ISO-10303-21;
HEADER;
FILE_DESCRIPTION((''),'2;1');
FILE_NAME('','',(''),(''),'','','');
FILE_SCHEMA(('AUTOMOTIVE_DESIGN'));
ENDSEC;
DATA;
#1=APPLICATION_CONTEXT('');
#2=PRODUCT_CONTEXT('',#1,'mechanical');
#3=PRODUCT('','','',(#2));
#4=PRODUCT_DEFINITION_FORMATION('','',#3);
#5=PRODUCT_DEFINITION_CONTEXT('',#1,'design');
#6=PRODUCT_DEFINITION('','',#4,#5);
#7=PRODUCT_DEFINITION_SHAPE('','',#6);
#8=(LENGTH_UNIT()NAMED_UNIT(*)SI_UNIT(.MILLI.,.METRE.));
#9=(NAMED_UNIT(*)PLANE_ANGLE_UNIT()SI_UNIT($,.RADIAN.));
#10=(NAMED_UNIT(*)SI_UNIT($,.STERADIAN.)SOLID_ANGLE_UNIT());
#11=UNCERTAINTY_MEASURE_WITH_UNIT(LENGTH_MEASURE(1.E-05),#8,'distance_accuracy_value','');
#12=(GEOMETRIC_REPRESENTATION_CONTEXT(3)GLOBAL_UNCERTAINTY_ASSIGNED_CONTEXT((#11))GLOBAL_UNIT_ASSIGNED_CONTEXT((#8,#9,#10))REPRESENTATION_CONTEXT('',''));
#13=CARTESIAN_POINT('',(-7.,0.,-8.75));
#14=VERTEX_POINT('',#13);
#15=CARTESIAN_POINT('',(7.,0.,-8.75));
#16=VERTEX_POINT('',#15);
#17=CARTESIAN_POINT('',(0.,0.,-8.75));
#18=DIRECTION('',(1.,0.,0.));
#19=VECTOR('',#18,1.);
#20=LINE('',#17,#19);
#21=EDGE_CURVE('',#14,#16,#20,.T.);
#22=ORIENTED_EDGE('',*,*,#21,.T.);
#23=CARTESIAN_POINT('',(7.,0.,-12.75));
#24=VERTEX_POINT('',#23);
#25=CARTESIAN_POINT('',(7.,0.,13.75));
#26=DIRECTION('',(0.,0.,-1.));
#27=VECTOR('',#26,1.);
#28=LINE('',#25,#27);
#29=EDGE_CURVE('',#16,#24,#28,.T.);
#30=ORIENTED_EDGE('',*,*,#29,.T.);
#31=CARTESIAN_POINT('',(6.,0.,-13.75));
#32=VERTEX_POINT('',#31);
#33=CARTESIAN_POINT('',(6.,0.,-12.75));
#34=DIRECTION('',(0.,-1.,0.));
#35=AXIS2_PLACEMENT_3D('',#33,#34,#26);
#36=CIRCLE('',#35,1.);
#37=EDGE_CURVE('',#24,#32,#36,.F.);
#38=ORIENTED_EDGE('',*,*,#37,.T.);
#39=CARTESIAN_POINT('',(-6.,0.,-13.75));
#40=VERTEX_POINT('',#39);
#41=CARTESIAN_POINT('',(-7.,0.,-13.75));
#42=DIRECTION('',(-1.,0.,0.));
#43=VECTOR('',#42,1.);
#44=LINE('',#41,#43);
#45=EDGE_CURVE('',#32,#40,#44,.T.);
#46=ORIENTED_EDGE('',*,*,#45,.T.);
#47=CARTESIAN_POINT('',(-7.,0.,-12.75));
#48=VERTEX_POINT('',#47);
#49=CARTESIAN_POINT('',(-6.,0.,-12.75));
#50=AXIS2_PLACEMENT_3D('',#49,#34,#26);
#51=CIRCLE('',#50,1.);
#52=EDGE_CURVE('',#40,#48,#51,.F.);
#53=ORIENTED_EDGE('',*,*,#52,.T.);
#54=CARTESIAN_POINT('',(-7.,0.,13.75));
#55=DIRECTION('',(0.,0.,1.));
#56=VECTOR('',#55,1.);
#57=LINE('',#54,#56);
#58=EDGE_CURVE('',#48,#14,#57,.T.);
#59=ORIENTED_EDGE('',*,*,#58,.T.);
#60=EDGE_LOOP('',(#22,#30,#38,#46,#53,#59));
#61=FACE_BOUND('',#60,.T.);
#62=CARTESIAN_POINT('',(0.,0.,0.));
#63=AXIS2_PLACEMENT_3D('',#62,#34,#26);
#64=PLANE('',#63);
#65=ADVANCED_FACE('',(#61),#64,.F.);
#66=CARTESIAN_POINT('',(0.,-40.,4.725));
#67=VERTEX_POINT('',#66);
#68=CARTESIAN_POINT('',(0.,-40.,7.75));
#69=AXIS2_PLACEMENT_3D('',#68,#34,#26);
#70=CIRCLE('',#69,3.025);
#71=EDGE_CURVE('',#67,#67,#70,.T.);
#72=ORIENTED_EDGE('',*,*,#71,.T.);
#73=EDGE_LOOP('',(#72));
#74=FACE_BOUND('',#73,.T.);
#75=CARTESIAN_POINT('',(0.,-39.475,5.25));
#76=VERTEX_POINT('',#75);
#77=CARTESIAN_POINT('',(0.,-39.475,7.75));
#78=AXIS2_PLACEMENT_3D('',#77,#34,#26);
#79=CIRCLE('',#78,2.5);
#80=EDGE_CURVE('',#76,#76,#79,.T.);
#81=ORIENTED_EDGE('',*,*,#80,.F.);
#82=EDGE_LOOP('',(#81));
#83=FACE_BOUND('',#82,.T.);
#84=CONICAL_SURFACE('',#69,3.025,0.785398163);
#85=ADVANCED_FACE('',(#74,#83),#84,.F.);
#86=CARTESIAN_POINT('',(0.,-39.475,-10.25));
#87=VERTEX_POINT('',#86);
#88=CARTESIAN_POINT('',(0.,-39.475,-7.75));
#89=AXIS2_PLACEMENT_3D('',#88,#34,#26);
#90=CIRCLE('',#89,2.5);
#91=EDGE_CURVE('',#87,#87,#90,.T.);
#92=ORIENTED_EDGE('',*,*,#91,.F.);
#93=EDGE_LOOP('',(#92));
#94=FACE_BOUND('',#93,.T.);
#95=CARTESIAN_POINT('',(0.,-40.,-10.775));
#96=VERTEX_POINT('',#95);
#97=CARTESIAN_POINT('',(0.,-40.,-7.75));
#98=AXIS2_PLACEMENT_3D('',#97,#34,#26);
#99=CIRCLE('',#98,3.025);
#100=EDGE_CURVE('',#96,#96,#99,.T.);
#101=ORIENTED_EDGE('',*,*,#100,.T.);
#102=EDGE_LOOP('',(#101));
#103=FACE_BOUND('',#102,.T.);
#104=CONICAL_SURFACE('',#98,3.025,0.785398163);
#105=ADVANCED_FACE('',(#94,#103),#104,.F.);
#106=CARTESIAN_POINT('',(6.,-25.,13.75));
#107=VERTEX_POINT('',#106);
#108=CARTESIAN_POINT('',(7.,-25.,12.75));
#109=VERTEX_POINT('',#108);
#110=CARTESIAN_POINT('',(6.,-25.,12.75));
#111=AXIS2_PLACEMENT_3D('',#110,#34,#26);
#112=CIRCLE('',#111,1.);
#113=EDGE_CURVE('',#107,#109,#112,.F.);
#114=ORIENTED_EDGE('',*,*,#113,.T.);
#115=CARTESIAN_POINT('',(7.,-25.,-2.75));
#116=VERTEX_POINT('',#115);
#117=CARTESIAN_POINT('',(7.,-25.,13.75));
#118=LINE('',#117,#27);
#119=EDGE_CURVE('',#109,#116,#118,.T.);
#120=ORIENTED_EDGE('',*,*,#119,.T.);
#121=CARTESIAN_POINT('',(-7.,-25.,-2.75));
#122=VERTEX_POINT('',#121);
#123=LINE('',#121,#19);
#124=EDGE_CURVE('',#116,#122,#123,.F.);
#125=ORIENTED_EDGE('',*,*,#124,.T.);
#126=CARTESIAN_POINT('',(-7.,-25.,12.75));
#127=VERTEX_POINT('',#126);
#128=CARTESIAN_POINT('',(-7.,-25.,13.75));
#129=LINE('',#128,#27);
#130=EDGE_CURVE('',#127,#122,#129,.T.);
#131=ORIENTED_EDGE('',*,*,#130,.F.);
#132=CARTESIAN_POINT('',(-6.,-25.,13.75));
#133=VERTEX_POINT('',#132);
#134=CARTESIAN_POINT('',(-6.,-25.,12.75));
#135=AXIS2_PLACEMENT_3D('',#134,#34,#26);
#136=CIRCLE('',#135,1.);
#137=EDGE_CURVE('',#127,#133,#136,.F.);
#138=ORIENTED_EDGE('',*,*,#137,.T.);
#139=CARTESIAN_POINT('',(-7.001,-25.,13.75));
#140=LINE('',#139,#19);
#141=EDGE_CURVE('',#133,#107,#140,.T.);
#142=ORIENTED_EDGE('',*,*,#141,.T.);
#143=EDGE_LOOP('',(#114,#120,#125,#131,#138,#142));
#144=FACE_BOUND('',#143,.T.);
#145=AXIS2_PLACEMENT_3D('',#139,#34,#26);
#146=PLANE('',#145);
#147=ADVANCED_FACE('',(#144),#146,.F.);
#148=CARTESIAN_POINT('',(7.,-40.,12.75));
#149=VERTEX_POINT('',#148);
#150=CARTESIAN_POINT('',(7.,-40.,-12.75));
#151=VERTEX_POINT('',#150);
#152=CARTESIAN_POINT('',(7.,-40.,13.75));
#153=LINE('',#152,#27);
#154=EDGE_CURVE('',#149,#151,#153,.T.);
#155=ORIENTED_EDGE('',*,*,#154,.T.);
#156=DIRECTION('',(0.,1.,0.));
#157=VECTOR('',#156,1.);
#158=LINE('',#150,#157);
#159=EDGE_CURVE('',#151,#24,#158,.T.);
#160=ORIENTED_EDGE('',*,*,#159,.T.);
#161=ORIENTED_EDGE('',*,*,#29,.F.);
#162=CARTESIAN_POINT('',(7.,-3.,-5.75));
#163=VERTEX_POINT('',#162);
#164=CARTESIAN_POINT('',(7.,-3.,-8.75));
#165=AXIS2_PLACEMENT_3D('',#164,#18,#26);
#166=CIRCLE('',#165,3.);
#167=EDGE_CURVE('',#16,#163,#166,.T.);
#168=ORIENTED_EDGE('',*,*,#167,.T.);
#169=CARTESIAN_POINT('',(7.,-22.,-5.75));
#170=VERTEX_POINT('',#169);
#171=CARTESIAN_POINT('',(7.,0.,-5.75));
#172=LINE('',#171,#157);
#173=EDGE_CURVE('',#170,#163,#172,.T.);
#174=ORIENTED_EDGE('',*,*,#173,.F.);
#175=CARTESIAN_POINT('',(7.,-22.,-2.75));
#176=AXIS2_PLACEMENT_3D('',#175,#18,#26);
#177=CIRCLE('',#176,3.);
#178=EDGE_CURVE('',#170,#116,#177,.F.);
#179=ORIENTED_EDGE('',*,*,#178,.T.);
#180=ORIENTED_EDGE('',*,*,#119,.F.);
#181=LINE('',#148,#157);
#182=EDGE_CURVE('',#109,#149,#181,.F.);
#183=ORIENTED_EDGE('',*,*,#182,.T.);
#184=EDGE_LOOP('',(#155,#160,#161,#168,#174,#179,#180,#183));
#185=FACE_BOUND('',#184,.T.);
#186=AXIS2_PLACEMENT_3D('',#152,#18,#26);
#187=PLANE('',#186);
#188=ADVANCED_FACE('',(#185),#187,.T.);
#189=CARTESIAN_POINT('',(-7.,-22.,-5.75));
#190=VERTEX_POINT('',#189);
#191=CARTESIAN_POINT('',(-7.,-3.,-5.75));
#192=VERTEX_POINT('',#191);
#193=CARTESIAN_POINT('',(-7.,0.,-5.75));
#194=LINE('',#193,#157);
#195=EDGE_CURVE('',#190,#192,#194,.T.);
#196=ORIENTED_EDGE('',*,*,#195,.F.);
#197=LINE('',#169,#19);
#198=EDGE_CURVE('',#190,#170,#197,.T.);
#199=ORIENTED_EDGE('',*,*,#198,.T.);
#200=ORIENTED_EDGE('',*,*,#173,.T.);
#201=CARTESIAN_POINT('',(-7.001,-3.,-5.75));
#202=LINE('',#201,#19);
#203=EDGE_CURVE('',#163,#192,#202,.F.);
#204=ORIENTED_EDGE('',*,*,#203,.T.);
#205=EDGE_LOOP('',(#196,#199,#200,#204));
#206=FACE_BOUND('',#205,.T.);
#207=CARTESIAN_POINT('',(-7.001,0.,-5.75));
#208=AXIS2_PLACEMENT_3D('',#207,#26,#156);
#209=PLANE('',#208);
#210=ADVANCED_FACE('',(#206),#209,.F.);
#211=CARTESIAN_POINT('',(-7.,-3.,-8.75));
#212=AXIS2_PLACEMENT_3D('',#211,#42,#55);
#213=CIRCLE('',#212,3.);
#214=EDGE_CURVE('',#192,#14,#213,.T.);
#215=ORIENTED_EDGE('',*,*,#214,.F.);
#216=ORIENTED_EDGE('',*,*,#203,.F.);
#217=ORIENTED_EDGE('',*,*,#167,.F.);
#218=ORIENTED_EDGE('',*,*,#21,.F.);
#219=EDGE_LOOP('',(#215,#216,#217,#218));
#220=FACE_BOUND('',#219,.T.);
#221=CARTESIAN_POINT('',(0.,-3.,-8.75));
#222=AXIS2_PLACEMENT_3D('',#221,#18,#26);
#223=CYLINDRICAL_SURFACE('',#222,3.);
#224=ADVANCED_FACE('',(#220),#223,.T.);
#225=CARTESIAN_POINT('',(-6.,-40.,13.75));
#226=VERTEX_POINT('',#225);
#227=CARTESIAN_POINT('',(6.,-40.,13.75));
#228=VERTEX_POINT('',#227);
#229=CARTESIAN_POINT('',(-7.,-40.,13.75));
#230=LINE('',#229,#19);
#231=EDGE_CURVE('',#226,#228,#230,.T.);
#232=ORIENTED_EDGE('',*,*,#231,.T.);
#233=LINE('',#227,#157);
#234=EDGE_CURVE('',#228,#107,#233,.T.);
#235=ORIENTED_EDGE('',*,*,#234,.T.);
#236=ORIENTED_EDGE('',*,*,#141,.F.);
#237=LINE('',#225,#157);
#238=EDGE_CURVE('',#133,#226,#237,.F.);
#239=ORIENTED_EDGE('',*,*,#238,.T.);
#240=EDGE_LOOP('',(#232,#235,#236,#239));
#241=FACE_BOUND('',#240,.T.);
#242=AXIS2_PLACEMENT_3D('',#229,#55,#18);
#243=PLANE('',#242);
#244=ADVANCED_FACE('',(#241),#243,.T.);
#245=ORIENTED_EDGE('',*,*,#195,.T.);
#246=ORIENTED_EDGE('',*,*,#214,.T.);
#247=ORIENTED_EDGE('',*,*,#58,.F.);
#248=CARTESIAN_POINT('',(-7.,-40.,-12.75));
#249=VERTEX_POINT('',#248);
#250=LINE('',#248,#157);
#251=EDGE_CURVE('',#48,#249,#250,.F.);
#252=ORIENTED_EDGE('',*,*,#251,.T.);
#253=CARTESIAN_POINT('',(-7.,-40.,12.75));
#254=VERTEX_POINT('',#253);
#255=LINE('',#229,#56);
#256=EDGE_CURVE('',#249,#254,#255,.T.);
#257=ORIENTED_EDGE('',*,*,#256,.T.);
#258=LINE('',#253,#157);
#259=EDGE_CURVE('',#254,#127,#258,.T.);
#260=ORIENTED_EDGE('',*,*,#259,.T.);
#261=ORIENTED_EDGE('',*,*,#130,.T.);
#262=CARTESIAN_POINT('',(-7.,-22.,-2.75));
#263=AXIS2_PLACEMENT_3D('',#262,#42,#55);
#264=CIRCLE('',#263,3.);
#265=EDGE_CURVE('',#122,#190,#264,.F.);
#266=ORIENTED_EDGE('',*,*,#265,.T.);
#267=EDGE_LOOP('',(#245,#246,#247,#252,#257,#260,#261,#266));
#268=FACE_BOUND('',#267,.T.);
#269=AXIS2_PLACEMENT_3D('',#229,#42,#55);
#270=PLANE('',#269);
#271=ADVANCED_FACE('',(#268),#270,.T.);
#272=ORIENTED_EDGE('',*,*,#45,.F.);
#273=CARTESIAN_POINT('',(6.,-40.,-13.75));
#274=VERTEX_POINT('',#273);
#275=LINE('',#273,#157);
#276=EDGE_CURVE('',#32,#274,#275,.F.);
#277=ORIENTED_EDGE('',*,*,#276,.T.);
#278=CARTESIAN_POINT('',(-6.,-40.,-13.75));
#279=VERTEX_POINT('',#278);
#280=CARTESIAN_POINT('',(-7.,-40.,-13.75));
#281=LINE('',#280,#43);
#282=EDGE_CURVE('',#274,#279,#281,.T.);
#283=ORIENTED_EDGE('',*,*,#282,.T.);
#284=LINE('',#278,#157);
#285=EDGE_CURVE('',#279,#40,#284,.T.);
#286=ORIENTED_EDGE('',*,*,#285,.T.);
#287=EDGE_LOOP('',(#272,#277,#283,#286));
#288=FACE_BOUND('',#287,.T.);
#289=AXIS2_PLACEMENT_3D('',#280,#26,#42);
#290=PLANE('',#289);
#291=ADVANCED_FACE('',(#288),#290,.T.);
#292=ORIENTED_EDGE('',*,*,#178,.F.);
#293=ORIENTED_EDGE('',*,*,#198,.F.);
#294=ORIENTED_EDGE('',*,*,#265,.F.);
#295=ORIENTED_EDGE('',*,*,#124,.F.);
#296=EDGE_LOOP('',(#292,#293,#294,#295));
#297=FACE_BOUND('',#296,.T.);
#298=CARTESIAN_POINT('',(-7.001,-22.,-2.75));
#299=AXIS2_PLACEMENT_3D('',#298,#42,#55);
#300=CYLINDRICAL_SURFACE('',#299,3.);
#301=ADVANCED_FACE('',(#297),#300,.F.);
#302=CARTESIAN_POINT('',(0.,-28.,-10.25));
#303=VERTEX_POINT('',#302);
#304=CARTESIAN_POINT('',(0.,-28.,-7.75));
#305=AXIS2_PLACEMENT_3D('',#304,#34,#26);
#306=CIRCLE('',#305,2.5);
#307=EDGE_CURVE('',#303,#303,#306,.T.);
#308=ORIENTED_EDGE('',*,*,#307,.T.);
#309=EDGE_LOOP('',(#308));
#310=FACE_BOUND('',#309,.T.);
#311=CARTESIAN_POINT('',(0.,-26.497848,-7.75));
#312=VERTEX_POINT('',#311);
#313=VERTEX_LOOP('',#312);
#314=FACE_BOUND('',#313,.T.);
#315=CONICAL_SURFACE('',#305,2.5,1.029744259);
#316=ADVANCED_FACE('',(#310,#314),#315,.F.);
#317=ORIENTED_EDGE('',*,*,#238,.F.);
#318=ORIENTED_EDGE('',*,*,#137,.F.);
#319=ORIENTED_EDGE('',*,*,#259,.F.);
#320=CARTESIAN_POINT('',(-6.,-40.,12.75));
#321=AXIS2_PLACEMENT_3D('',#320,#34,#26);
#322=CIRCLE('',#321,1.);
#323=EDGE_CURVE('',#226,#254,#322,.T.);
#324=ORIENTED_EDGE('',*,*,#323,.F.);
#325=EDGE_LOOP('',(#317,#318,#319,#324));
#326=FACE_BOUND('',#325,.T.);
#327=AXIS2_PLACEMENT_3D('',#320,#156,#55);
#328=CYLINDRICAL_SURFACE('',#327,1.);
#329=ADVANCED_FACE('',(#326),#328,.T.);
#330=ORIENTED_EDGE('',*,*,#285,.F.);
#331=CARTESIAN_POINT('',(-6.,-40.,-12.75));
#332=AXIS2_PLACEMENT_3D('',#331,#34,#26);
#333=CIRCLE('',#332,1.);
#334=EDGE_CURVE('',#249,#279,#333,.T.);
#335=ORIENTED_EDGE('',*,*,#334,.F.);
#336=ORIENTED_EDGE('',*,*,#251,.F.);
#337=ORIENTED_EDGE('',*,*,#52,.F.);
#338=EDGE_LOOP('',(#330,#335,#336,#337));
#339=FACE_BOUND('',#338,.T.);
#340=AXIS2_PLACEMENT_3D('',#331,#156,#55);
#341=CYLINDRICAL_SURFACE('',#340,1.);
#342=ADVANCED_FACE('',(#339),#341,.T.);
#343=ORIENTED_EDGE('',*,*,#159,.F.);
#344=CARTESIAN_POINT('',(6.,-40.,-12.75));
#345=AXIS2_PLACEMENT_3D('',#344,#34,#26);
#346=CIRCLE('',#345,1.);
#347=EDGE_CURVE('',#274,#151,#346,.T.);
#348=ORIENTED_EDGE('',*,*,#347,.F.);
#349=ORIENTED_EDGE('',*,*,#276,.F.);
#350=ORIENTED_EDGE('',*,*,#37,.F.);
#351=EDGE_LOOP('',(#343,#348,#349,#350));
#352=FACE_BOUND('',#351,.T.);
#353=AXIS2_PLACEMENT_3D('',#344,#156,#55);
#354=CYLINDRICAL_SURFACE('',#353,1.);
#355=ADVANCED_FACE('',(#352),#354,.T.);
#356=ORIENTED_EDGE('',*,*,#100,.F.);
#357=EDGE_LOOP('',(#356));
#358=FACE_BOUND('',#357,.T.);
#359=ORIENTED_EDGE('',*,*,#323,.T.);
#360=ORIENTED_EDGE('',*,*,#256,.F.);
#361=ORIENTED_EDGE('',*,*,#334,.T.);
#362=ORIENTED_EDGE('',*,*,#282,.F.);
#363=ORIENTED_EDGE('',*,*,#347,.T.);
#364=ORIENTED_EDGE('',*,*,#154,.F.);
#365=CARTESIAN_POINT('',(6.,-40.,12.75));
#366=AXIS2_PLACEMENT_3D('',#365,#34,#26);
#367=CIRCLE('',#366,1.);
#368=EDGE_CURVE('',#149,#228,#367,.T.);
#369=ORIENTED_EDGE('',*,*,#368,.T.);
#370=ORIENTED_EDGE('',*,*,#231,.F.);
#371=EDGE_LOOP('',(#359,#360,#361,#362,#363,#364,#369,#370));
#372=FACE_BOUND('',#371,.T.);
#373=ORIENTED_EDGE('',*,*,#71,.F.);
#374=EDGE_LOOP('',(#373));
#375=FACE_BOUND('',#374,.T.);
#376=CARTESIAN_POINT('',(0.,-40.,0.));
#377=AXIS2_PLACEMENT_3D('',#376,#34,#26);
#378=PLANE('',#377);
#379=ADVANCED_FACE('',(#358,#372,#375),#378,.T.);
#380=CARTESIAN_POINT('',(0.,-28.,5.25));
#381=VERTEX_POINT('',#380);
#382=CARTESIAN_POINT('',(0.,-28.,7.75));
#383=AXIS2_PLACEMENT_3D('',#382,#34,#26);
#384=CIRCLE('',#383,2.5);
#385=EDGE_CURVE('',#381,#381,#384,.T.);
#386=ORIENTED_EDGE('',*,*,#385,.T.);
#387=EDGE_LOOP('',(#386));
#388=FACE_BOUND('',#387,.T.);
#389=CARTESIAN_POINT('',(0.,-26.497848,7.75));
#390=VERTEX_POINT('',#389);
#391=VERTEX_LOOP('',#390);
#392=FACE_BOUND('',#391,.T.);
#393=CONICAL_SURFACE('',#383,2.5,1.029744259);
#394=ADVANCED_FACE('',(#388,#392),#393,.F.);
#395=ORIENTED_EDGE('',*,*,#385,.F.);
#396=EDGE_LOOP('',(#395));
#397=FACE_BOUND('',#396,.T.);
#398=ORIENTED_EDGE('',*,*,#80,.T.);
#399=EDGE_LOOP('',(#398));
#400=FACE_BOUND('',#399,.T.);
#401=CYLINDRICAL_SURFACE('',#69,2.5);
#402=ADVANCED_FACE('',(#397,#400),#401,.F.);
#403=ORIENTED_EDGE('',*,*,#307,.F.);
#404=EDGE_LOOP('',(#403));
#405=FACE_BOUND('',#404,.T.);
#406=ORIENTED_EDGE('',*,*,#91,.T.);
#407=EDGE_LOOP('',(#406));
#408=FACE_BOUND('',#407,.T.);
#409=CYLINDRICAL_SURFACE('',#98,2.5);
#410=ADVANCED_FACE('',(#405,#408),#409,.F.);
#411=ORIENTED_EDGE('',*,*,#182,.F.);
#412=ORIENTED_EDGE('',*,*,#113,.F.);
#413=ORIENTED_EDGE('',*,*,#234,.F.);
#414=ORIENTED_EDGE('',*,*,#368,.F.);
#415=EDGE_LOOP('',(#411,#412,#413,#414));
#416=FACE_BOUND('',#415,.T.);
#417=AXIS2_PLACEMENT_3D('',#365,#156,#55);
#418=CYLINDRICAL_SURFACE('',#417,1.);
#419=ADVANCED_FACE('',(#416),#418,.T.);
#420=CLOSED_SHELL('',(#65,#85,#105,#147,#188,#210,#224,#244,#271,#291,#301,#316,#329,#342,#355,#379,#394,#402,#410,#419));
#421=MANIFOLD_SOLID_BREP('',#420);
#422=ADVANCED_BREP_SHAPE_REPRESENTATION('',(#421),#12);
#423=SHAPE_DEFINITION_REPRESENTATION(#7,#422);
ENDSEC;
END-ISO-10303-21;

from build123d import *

# Parameters (mm, degrees)
SKETCH1_W                   = 14
SKETCH1_H                   = 27.5
BOSS_EXTRUDE1_DEPTH         = 40
CUT_EXTRUDE1_REACH          = 46.554
SKETCH2_W                   = 19.5
SKETCH2_H                   = 25
FILLET1_R                   = 3
M6_TAPPED_HOLE1_D           = 5
M6_TAPPED_HOLE1_DEPTH       = 12
M6_TAPPED_HOLE1_CSINK_D     = 6.05
M6_TAPPED_HOLE1_CSINK_ANGLE = 90
M6_TAPPED_HOLE1_TIP         = 1.502151548
FILLET2_R                   = 1


with BuildPart() as part:
    # Sketch1 → Boss-Extrude1 (new body)
    with BuildSketch(Plane(origin=(0, 0, 0), x_dir=(1, 0, 0), z_dir=(0, 1, 0))):
        Rectangle(SKETCH1_W, SKETCH1_H)
    extrude(amount=-BOSS_EXTRUDE1_DEPTH)

    # Sketch2 → Cut-Extrude1 (cut, up to next)
    with BuildSketch(Plane(origin=(7, 0, 0), x_dir=(0, 0, -1), z_dir=(1, 0, 0)), mode=Mode.PRIVATE) as cut_extrude1_sk1:
        with Locations((-4, -12.5)):
            Rectangle(SKETCH2_W, SKETCH2_H)
    cut_extrude1_tool1 = extrude(cut_extrude1_sk1.sketch, amount=-CUT_EXTRUDE1_REACH, mode=Mode.PRIVATE) & part.part
    add(cut_extrude1_tool1.solids().sort_by_distance((7, -12.5, 4))[0], mode=Mode.SUBTRACT)

    # Fillet1
    fillet1_edges = [part.edges().sort_by_distance(p)[0] for p in [
        (0, 0, -5.75),
        (0, -25, -5.75),
    ]]
    fillet(fillet1_edges, radius=FILLET1_R)

    # M6 Tapped Hole1
    with Locations(Plane(origin=(0, -40, 0), x_dir=(-1, 0, 0), z_dir=(0, -1, 0))):
        with Locations((0, -7.75), (0, 7.75)):
            CounterSinkHole(M6_TAPPED_HOLE1_D / 2, M6_TAPPED_HOLE1_CSINK_D / 2, depth=M6_TAPPED_HOLE1_DEPTH, counter_sink_angle=M6_TAPPED_HOLE1_CSINK_ANGLE)
            with Locations((0, 0, -(M6_TAPPED_HOLE1_DEPTH + M6_TAPPED_HOLE1_TIP / 2))):  # 118° drill point
                Cone(0, M6_TAPPED_HOLE1_D / 2, M6_TAPPED_HOLE1_TIP, mode=Mode.SUBTRACT)

    # Fillet2
    fillet2_edges = [part.edges().sort_by_distance(p)[0] for p in [
        (7, -32.5, 13.75),
        (-7, -32.5, 13.75),
        (-7, -20, -13.75),
        (7, -20, -13.75),
    ]]
    fillet(fillet2_edges, radius=FILLET2_R)


solid = part.part
